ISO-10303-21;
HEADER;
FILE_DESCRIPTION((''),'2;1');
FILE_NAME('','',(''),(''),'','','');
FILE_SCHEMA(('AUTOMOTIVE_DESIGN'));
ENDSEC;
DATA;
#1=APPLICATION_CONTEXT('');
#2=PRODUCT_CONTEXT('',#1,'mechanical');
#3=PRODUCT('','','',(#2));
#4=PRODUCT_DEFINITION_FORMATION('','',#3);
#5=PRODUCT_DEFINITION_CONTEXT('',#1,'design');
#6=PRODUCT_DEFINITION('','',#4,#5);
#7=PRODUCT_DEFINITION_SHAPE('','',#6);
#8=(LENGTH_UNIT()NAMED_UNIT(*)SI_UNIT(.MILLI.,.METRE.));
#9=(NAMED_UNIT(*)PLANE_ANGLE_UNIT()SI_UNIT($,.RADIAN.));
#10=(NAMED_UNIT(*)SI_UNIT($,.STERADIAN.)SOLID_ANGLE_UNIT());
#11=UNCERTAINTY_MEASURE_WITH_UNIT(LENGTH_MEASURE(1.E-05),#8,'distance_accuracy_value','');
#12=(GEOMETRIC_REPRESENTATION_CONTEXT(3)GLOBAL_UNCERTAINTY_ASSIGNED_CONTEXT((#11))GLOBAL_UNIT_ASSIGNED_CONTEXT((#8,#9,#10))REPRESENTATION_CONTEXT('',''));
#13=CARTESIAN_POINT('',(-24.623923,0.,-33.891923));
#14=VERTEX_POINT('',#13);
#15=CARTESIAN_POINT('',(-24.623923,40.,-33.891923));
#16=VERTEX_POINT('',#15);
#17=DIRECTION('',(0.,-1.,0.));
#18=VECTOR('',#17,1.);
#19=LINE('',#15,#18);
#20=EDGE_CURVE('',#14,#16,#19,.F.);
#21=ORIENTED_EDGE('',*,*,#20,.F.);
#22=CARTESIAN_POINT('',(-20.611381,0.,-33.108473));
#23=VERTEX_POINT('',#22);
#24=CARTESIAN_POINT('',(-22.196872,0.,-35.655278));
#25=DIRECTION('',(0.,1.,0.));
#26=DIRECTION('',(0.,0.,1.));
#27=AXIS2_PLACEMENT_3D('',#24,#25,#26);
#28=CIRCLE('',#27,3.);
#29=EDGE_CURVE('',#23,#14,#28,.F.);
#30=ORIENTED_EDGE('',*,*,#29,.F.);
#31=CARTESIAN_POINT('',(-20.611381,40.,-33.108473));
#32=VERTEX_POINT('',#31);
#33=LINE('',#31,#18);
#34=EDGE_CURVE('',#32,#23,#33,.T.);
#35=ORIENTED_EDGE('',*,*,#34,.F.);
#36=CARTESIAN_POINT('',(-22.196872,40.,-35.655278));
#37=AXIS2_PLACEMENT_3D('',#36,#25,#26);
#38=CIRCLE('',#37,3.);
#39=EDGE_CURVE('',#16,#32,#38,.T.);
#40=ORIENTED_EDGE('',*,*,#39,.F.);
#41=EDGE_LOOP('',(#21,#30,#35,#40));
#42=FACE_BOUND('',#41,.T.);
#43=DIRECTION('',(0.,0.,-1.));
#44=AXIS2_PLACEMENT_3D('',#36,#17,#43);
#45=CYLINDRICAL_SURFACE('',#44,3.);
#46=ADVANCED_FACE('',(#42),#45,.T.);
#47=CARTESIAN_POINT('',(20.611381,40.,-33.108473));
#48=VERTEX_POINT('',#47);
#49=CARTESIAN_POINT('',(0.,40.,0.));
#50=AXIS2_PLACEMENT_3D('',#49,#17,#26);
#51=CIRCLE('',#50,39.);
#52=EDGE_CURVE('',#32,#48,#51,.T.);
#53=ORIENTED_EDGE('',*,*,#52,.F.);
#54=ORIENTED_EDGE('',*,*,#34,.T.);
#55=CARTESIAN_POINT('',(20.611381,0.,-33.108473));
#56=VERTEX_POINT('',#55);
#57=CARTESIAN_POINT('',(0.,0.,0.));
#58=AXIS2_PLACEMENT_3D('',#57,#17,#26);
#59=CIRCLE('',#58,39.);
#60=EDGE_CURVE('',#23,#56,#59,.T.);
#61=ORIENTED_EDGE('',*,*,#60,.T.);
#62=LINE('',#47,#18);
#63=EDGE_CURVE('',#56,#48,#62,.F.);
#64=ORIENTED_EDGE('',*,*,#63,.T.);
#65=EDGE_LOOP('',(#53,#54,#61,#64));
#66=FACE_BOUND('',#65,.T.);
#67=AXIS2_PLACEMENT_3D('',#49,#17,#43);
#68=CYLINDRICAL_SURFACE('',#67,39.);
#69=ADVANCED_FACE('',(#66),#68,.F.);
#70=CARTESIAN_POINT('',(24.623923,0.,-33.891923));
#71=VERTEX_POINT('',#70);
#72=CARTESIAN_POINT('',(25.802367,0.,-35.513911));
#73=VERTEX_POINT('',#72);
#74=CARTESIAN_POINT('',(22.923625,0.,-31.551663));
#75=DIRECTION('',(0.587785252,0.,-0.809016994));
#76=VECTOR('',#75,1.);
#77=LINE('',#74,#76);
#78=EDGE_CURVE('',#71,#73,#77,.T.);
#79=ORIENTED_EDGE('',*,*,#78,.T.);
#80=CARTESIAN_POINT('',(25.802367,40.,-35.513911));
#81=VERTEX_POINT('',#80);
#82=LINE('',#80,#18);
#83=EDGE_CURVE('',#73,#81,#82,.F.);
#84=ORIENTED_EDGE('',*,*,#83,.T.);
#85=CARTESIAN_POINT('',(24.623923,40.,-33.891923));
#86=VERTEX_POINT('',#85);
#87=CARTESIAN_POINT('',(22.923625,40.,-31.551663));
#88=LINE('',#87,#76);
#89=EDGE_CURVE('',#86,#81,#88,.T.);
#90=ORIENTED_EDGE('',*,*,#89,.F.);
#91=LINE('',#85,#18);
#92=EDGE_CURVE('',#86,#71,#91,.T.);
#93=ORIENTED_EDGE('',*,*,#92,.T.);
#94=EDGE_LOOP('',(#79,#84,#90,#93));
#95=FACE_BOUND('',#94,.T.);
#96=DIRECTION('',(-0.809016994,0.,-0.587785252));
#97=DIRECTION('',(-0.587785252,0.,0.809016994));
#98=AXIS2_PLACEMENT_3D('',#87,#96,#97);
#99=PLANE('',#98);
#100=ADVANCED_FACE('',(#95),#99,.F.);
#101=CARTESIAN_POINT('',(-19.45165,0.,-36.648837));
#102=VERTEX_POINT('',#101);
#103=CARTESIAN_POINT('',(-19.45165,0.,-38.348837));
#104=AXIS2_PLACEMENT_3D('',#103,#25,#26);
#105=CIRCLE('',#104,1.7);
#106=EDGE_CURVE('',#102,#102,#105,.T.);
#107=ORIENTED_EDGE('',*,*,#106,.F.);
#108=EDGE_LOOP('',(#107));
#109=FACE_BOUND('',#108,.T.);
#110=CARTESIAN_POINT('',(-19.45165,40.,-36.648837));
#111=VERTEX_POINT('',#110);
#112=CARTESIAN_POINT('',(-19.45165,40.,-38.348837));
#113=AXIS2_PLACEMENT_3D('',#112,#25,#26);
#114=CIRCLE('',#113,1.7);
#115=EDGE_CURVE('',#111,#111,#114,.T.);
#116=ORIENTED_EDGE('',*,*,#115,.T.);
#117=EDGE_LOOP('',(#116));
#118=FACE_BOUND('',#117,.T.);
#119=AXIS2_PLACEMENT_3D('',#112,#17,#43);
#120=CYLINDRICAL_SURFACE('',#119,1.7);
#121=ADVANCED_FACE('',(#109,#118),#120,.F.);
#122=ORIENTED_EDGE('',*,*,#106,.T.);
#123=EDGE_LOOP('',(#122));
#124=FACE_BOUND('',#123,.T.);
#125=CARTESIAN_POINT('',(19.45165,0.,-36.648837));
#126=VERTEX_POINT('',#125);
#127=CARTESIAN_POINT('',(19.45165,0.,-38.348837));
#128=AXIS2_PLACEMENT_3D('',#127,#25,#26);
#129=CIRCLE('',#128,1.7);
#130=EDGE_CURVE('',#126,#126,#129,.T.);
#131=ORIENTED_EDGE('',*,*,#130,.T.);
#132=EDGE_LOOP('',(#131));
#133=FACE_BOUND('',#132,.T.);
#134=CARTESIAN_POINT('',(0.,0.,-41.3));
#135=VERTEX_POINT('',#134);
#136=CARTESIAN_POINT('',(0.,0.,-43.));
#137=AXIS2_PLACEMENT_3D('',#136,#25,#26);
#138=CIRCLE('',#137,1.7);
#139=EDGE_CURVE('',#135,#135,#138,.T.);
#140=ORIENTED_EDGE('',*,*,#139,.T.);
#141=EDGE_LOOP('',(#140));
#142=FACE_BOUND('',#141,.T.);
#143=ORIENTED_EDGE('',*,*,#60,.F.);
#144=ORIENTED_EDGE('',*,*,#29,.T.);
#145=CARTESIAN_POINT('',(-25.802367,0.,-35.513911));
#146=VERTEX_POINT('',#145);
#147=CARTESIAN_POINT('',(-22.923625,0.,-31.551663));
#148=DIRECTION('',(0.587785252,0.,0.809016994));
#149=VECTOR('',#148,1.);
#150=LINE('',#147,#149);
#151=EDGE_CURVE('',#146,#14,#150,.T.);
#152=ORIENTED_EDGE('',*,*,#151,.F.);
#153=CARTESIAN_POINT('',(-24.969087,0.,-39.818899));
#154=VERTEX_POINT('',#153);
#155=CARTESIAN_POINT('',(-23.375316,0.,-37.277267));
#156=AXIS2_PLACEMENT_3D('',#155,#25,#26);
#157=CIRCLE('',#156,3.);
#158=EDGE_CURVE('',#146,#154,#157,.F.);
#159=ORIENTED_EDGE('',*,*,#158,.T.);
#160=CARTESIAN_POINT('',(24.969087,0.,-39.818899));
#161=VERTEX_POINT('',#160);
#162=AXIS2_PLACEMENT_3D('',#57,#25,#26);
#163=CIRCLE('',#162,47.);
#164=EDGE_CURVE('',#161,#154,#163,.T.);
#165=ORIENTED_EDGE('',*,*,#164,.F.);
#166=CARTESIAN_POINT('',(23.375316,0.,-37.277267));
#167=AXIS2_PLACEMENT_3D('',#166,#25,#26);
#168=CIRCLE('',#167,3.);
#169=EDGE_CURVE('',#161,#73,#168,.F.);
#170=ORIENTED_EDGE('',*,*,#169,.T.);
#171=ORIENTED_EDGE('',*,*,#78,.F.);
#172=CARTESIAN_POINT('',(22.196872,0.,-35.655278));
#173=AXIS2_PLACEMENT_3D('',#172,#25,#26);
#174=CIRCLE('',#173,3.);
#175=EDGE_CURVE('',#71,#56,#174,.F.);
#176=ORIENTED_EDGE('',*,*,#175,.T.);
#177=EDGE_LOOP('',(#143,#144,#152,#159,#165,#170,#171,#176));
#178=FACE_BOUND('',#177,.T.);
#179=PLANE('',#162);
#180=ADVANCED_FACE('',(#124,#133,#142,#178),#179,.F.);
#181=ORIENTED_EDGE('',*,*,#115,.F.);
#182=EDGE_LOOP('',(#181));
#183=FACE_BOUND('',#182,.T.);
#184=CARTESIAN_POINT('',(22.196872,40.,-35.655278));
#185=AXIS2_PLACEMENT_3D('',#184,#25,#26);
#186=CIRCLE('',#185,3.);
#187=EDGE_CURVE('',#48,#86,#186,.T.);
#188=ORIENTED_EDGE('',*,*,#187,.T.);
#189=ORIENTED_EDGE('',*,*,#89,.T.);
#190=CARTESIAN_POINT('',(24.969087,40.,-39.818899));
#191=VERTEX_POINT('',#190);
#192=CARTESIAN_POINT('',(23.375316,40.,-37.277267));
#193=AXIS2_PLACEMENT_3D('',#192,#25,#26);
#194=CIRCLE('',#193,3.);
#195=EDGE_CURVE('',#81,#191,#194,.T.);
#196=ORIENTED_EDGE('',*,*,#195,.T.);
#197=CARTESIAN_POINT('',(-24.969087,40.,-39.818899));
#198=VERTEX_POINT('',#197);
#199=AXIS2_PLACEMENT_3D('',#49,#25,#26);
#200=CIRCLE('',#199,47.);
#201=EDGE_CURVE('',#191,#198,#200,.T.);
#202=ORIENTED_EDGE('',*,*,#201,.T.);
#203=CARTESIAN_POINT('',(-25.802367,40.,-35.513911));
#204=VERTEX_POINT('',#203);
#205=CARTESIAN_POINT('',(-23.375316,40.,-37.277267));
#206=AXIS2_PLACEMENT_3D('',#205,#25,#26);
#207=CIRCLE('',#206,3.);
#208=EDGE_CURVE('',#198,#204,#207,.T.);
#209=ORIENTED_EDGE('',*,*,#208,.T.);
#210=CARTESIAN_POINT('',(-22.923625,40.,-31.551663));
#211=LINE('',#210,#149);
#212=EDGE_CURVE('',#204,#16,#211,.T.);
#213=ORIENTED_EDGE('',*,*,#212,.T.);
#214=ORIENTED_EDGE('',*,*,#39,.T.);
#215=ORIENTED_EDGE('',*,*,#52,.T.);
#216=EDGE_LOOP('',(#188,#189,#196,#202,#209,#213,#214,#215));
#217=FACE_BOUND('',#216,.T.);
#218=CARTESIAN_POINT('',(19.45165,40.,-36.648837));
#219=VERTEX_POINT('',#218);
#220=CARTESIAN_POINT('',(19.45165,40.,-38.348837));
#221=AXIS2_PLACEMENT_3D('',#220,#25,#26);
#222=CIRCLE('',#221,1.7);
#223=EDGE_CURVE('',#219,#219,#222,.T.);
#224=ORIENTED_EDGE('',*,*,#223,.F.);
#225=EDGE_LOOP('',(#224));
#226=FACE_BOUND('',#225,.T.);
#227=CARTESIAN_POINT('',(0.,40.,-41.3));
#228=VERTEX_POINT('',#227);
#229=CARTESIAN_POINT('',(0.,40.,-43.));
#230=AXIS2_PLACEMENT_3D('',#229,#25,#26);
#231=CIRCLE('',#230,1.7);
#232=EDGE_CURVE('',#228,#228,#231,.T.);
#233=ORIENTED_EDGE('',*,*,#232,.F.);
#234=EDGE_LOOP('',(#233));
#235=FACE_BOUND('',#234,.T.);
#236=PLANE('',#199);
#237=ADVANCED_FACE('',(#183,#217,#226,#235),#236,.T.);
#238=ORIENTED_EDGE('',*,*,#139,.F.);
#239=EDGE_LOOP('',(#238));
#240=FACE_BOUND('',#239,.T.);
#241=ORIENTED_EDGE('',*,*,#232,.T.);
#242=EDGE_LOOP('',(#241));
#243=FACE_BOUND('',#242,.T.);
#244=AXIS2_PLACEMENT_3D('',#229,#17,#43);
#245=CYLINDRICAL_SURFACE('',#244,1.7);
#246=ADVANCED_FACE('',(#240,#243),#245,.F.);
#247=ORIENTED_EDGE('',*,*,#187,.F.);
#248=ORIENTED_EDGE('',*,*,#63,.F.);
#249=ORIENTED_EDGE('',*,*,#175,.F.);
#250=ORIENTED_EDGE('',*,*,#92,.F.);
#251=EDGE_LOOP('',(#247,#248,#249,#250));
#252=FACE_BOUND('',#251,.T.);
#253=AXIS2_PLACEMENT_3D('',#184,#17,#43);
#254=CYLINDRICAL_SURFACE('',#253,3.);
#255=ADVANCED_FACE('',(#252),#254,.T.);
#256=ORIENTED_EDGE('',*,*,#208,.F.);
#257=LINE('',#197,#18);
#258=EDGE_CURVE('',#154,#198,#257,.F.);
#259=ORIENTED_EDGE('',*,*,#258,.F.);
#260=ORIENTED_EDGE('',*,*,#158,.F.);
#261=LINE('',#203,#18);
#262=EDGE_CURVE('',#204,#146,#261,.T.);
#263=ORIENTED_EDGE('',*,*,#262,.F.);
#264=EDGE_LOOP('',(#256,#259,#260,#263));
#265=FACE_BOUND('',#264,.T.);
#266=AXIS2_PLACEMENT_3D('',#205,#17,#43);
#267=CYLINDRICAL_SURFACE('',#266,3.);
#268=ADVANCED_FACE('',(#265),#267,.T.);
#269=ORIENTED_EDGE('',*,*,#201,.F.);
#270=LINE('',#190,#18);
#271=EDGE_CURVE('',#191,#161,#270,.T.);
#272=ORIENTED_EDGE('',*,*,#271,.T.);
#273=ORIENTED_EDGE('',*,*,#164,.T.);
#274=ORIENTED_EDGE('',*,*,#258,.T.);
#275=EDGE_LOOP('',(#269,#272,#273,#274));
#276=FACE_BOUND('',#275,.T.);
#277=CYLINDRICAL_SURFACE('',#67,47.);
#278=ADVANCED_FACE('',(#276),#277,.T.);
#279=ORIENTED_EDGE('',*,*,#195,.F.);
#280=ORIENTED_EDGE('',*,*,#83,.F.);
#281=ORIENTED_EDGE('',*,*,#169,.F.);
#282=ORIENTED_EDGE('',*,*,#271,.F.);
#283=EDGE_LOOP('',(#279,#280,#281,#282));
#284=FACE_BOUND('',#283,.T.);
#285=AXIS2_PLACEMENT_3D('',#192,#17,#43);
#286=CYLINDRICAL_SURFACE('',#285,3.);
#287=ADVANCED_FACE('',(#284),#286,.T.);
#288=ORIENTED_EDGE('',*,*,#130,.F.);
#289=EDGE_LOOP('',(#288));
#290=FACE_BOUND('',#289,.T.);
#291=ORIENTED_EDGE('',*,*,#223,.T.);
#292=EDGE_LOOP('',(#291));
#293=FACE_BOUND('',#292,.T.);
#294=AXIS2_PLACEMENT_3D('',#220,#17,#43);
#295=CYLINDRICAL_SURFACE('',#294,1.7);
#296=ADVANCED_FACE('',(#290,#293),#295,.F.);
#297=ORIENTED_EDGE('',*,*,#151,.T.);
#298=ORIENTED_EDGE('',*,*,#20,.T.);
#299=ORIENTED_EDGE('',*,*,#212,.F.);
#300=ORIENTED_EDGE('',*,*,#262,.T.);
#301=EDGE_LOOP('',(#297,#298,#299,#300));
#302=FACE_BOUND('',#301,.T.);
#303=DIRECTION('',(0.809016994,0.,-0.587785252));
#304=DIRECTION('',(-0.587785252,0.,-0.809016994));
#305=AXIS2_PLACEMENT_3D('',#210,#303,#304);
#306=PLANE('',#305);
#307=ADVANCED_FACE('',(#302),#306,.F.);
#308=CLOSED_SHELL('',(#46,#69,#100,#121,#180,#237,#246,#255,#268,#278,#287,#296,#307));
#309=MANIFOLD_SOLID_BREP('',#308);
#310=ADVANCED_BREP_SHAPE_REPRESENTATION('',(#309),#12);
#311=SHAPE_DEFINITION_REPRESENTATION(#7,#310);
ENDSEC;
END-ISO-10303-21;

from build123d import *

# Parameters (mm, degrees)
SKETCH_1_R      = 1.7
EXTRUDE_1_DEPTH = 40
FILLET_1_R      = 3


with BuildPart() as part:
    # 草图1 → 凸台-拉伸1 (new body)
    with BuildSketch(Plane(origin=(0, 0, 0), x_dir=(1, 0, 0), z_dir=(0, 1, 0))):
        with BuildLine():
            Line((-22.923624839, 31.551662781), (-27.625906858, 38.023798736))
            ThreePointArc((-27.625906858, 38.023798736), (0, 47), (27.625906858, 38.023798736))
            Line((27.625906858, 38.023798736), (22.923624839, 31.551662781))
            ThreePointArc((22.923624839, 31.551662781), (0, 39), (-22.923624839, 31.551662781))
        make_face()
        with Locations(Location((0, 43, 0), (0, 0, 270))):
            Circle(SKETCH_1_R, mode=Mode.SUBTRACT)
        with Locations(Location((19.451649922, 38.348837209, 0), (0, 0, 270))):
            Circle(SKETCH_1_R, mode=Mode.SUBTRACT)
        with Locations(Location((-19.451649922, 38.348837209, 0), (0, 0, 270))):
            Circle(SKETCH_1_R, mode=Mode.SUBTRACT)
    extrude(amount=EXTRUDE_1_DEPTH)

    # 圆角1
    fillet_1_edges = [part.edges().sort_by_distance(p)[0] for p in [
        (-22.923624839, 20, -31.551662781),
        (-27.625906858, 20, -38.023798736),
        (27.625906858, 20, -38.023798736),
        (22.923624839, 20, -31.551662781),
    ]]
    fillet(fillet_1_edges, radius=FILLET_1_R)


solid = part.part
